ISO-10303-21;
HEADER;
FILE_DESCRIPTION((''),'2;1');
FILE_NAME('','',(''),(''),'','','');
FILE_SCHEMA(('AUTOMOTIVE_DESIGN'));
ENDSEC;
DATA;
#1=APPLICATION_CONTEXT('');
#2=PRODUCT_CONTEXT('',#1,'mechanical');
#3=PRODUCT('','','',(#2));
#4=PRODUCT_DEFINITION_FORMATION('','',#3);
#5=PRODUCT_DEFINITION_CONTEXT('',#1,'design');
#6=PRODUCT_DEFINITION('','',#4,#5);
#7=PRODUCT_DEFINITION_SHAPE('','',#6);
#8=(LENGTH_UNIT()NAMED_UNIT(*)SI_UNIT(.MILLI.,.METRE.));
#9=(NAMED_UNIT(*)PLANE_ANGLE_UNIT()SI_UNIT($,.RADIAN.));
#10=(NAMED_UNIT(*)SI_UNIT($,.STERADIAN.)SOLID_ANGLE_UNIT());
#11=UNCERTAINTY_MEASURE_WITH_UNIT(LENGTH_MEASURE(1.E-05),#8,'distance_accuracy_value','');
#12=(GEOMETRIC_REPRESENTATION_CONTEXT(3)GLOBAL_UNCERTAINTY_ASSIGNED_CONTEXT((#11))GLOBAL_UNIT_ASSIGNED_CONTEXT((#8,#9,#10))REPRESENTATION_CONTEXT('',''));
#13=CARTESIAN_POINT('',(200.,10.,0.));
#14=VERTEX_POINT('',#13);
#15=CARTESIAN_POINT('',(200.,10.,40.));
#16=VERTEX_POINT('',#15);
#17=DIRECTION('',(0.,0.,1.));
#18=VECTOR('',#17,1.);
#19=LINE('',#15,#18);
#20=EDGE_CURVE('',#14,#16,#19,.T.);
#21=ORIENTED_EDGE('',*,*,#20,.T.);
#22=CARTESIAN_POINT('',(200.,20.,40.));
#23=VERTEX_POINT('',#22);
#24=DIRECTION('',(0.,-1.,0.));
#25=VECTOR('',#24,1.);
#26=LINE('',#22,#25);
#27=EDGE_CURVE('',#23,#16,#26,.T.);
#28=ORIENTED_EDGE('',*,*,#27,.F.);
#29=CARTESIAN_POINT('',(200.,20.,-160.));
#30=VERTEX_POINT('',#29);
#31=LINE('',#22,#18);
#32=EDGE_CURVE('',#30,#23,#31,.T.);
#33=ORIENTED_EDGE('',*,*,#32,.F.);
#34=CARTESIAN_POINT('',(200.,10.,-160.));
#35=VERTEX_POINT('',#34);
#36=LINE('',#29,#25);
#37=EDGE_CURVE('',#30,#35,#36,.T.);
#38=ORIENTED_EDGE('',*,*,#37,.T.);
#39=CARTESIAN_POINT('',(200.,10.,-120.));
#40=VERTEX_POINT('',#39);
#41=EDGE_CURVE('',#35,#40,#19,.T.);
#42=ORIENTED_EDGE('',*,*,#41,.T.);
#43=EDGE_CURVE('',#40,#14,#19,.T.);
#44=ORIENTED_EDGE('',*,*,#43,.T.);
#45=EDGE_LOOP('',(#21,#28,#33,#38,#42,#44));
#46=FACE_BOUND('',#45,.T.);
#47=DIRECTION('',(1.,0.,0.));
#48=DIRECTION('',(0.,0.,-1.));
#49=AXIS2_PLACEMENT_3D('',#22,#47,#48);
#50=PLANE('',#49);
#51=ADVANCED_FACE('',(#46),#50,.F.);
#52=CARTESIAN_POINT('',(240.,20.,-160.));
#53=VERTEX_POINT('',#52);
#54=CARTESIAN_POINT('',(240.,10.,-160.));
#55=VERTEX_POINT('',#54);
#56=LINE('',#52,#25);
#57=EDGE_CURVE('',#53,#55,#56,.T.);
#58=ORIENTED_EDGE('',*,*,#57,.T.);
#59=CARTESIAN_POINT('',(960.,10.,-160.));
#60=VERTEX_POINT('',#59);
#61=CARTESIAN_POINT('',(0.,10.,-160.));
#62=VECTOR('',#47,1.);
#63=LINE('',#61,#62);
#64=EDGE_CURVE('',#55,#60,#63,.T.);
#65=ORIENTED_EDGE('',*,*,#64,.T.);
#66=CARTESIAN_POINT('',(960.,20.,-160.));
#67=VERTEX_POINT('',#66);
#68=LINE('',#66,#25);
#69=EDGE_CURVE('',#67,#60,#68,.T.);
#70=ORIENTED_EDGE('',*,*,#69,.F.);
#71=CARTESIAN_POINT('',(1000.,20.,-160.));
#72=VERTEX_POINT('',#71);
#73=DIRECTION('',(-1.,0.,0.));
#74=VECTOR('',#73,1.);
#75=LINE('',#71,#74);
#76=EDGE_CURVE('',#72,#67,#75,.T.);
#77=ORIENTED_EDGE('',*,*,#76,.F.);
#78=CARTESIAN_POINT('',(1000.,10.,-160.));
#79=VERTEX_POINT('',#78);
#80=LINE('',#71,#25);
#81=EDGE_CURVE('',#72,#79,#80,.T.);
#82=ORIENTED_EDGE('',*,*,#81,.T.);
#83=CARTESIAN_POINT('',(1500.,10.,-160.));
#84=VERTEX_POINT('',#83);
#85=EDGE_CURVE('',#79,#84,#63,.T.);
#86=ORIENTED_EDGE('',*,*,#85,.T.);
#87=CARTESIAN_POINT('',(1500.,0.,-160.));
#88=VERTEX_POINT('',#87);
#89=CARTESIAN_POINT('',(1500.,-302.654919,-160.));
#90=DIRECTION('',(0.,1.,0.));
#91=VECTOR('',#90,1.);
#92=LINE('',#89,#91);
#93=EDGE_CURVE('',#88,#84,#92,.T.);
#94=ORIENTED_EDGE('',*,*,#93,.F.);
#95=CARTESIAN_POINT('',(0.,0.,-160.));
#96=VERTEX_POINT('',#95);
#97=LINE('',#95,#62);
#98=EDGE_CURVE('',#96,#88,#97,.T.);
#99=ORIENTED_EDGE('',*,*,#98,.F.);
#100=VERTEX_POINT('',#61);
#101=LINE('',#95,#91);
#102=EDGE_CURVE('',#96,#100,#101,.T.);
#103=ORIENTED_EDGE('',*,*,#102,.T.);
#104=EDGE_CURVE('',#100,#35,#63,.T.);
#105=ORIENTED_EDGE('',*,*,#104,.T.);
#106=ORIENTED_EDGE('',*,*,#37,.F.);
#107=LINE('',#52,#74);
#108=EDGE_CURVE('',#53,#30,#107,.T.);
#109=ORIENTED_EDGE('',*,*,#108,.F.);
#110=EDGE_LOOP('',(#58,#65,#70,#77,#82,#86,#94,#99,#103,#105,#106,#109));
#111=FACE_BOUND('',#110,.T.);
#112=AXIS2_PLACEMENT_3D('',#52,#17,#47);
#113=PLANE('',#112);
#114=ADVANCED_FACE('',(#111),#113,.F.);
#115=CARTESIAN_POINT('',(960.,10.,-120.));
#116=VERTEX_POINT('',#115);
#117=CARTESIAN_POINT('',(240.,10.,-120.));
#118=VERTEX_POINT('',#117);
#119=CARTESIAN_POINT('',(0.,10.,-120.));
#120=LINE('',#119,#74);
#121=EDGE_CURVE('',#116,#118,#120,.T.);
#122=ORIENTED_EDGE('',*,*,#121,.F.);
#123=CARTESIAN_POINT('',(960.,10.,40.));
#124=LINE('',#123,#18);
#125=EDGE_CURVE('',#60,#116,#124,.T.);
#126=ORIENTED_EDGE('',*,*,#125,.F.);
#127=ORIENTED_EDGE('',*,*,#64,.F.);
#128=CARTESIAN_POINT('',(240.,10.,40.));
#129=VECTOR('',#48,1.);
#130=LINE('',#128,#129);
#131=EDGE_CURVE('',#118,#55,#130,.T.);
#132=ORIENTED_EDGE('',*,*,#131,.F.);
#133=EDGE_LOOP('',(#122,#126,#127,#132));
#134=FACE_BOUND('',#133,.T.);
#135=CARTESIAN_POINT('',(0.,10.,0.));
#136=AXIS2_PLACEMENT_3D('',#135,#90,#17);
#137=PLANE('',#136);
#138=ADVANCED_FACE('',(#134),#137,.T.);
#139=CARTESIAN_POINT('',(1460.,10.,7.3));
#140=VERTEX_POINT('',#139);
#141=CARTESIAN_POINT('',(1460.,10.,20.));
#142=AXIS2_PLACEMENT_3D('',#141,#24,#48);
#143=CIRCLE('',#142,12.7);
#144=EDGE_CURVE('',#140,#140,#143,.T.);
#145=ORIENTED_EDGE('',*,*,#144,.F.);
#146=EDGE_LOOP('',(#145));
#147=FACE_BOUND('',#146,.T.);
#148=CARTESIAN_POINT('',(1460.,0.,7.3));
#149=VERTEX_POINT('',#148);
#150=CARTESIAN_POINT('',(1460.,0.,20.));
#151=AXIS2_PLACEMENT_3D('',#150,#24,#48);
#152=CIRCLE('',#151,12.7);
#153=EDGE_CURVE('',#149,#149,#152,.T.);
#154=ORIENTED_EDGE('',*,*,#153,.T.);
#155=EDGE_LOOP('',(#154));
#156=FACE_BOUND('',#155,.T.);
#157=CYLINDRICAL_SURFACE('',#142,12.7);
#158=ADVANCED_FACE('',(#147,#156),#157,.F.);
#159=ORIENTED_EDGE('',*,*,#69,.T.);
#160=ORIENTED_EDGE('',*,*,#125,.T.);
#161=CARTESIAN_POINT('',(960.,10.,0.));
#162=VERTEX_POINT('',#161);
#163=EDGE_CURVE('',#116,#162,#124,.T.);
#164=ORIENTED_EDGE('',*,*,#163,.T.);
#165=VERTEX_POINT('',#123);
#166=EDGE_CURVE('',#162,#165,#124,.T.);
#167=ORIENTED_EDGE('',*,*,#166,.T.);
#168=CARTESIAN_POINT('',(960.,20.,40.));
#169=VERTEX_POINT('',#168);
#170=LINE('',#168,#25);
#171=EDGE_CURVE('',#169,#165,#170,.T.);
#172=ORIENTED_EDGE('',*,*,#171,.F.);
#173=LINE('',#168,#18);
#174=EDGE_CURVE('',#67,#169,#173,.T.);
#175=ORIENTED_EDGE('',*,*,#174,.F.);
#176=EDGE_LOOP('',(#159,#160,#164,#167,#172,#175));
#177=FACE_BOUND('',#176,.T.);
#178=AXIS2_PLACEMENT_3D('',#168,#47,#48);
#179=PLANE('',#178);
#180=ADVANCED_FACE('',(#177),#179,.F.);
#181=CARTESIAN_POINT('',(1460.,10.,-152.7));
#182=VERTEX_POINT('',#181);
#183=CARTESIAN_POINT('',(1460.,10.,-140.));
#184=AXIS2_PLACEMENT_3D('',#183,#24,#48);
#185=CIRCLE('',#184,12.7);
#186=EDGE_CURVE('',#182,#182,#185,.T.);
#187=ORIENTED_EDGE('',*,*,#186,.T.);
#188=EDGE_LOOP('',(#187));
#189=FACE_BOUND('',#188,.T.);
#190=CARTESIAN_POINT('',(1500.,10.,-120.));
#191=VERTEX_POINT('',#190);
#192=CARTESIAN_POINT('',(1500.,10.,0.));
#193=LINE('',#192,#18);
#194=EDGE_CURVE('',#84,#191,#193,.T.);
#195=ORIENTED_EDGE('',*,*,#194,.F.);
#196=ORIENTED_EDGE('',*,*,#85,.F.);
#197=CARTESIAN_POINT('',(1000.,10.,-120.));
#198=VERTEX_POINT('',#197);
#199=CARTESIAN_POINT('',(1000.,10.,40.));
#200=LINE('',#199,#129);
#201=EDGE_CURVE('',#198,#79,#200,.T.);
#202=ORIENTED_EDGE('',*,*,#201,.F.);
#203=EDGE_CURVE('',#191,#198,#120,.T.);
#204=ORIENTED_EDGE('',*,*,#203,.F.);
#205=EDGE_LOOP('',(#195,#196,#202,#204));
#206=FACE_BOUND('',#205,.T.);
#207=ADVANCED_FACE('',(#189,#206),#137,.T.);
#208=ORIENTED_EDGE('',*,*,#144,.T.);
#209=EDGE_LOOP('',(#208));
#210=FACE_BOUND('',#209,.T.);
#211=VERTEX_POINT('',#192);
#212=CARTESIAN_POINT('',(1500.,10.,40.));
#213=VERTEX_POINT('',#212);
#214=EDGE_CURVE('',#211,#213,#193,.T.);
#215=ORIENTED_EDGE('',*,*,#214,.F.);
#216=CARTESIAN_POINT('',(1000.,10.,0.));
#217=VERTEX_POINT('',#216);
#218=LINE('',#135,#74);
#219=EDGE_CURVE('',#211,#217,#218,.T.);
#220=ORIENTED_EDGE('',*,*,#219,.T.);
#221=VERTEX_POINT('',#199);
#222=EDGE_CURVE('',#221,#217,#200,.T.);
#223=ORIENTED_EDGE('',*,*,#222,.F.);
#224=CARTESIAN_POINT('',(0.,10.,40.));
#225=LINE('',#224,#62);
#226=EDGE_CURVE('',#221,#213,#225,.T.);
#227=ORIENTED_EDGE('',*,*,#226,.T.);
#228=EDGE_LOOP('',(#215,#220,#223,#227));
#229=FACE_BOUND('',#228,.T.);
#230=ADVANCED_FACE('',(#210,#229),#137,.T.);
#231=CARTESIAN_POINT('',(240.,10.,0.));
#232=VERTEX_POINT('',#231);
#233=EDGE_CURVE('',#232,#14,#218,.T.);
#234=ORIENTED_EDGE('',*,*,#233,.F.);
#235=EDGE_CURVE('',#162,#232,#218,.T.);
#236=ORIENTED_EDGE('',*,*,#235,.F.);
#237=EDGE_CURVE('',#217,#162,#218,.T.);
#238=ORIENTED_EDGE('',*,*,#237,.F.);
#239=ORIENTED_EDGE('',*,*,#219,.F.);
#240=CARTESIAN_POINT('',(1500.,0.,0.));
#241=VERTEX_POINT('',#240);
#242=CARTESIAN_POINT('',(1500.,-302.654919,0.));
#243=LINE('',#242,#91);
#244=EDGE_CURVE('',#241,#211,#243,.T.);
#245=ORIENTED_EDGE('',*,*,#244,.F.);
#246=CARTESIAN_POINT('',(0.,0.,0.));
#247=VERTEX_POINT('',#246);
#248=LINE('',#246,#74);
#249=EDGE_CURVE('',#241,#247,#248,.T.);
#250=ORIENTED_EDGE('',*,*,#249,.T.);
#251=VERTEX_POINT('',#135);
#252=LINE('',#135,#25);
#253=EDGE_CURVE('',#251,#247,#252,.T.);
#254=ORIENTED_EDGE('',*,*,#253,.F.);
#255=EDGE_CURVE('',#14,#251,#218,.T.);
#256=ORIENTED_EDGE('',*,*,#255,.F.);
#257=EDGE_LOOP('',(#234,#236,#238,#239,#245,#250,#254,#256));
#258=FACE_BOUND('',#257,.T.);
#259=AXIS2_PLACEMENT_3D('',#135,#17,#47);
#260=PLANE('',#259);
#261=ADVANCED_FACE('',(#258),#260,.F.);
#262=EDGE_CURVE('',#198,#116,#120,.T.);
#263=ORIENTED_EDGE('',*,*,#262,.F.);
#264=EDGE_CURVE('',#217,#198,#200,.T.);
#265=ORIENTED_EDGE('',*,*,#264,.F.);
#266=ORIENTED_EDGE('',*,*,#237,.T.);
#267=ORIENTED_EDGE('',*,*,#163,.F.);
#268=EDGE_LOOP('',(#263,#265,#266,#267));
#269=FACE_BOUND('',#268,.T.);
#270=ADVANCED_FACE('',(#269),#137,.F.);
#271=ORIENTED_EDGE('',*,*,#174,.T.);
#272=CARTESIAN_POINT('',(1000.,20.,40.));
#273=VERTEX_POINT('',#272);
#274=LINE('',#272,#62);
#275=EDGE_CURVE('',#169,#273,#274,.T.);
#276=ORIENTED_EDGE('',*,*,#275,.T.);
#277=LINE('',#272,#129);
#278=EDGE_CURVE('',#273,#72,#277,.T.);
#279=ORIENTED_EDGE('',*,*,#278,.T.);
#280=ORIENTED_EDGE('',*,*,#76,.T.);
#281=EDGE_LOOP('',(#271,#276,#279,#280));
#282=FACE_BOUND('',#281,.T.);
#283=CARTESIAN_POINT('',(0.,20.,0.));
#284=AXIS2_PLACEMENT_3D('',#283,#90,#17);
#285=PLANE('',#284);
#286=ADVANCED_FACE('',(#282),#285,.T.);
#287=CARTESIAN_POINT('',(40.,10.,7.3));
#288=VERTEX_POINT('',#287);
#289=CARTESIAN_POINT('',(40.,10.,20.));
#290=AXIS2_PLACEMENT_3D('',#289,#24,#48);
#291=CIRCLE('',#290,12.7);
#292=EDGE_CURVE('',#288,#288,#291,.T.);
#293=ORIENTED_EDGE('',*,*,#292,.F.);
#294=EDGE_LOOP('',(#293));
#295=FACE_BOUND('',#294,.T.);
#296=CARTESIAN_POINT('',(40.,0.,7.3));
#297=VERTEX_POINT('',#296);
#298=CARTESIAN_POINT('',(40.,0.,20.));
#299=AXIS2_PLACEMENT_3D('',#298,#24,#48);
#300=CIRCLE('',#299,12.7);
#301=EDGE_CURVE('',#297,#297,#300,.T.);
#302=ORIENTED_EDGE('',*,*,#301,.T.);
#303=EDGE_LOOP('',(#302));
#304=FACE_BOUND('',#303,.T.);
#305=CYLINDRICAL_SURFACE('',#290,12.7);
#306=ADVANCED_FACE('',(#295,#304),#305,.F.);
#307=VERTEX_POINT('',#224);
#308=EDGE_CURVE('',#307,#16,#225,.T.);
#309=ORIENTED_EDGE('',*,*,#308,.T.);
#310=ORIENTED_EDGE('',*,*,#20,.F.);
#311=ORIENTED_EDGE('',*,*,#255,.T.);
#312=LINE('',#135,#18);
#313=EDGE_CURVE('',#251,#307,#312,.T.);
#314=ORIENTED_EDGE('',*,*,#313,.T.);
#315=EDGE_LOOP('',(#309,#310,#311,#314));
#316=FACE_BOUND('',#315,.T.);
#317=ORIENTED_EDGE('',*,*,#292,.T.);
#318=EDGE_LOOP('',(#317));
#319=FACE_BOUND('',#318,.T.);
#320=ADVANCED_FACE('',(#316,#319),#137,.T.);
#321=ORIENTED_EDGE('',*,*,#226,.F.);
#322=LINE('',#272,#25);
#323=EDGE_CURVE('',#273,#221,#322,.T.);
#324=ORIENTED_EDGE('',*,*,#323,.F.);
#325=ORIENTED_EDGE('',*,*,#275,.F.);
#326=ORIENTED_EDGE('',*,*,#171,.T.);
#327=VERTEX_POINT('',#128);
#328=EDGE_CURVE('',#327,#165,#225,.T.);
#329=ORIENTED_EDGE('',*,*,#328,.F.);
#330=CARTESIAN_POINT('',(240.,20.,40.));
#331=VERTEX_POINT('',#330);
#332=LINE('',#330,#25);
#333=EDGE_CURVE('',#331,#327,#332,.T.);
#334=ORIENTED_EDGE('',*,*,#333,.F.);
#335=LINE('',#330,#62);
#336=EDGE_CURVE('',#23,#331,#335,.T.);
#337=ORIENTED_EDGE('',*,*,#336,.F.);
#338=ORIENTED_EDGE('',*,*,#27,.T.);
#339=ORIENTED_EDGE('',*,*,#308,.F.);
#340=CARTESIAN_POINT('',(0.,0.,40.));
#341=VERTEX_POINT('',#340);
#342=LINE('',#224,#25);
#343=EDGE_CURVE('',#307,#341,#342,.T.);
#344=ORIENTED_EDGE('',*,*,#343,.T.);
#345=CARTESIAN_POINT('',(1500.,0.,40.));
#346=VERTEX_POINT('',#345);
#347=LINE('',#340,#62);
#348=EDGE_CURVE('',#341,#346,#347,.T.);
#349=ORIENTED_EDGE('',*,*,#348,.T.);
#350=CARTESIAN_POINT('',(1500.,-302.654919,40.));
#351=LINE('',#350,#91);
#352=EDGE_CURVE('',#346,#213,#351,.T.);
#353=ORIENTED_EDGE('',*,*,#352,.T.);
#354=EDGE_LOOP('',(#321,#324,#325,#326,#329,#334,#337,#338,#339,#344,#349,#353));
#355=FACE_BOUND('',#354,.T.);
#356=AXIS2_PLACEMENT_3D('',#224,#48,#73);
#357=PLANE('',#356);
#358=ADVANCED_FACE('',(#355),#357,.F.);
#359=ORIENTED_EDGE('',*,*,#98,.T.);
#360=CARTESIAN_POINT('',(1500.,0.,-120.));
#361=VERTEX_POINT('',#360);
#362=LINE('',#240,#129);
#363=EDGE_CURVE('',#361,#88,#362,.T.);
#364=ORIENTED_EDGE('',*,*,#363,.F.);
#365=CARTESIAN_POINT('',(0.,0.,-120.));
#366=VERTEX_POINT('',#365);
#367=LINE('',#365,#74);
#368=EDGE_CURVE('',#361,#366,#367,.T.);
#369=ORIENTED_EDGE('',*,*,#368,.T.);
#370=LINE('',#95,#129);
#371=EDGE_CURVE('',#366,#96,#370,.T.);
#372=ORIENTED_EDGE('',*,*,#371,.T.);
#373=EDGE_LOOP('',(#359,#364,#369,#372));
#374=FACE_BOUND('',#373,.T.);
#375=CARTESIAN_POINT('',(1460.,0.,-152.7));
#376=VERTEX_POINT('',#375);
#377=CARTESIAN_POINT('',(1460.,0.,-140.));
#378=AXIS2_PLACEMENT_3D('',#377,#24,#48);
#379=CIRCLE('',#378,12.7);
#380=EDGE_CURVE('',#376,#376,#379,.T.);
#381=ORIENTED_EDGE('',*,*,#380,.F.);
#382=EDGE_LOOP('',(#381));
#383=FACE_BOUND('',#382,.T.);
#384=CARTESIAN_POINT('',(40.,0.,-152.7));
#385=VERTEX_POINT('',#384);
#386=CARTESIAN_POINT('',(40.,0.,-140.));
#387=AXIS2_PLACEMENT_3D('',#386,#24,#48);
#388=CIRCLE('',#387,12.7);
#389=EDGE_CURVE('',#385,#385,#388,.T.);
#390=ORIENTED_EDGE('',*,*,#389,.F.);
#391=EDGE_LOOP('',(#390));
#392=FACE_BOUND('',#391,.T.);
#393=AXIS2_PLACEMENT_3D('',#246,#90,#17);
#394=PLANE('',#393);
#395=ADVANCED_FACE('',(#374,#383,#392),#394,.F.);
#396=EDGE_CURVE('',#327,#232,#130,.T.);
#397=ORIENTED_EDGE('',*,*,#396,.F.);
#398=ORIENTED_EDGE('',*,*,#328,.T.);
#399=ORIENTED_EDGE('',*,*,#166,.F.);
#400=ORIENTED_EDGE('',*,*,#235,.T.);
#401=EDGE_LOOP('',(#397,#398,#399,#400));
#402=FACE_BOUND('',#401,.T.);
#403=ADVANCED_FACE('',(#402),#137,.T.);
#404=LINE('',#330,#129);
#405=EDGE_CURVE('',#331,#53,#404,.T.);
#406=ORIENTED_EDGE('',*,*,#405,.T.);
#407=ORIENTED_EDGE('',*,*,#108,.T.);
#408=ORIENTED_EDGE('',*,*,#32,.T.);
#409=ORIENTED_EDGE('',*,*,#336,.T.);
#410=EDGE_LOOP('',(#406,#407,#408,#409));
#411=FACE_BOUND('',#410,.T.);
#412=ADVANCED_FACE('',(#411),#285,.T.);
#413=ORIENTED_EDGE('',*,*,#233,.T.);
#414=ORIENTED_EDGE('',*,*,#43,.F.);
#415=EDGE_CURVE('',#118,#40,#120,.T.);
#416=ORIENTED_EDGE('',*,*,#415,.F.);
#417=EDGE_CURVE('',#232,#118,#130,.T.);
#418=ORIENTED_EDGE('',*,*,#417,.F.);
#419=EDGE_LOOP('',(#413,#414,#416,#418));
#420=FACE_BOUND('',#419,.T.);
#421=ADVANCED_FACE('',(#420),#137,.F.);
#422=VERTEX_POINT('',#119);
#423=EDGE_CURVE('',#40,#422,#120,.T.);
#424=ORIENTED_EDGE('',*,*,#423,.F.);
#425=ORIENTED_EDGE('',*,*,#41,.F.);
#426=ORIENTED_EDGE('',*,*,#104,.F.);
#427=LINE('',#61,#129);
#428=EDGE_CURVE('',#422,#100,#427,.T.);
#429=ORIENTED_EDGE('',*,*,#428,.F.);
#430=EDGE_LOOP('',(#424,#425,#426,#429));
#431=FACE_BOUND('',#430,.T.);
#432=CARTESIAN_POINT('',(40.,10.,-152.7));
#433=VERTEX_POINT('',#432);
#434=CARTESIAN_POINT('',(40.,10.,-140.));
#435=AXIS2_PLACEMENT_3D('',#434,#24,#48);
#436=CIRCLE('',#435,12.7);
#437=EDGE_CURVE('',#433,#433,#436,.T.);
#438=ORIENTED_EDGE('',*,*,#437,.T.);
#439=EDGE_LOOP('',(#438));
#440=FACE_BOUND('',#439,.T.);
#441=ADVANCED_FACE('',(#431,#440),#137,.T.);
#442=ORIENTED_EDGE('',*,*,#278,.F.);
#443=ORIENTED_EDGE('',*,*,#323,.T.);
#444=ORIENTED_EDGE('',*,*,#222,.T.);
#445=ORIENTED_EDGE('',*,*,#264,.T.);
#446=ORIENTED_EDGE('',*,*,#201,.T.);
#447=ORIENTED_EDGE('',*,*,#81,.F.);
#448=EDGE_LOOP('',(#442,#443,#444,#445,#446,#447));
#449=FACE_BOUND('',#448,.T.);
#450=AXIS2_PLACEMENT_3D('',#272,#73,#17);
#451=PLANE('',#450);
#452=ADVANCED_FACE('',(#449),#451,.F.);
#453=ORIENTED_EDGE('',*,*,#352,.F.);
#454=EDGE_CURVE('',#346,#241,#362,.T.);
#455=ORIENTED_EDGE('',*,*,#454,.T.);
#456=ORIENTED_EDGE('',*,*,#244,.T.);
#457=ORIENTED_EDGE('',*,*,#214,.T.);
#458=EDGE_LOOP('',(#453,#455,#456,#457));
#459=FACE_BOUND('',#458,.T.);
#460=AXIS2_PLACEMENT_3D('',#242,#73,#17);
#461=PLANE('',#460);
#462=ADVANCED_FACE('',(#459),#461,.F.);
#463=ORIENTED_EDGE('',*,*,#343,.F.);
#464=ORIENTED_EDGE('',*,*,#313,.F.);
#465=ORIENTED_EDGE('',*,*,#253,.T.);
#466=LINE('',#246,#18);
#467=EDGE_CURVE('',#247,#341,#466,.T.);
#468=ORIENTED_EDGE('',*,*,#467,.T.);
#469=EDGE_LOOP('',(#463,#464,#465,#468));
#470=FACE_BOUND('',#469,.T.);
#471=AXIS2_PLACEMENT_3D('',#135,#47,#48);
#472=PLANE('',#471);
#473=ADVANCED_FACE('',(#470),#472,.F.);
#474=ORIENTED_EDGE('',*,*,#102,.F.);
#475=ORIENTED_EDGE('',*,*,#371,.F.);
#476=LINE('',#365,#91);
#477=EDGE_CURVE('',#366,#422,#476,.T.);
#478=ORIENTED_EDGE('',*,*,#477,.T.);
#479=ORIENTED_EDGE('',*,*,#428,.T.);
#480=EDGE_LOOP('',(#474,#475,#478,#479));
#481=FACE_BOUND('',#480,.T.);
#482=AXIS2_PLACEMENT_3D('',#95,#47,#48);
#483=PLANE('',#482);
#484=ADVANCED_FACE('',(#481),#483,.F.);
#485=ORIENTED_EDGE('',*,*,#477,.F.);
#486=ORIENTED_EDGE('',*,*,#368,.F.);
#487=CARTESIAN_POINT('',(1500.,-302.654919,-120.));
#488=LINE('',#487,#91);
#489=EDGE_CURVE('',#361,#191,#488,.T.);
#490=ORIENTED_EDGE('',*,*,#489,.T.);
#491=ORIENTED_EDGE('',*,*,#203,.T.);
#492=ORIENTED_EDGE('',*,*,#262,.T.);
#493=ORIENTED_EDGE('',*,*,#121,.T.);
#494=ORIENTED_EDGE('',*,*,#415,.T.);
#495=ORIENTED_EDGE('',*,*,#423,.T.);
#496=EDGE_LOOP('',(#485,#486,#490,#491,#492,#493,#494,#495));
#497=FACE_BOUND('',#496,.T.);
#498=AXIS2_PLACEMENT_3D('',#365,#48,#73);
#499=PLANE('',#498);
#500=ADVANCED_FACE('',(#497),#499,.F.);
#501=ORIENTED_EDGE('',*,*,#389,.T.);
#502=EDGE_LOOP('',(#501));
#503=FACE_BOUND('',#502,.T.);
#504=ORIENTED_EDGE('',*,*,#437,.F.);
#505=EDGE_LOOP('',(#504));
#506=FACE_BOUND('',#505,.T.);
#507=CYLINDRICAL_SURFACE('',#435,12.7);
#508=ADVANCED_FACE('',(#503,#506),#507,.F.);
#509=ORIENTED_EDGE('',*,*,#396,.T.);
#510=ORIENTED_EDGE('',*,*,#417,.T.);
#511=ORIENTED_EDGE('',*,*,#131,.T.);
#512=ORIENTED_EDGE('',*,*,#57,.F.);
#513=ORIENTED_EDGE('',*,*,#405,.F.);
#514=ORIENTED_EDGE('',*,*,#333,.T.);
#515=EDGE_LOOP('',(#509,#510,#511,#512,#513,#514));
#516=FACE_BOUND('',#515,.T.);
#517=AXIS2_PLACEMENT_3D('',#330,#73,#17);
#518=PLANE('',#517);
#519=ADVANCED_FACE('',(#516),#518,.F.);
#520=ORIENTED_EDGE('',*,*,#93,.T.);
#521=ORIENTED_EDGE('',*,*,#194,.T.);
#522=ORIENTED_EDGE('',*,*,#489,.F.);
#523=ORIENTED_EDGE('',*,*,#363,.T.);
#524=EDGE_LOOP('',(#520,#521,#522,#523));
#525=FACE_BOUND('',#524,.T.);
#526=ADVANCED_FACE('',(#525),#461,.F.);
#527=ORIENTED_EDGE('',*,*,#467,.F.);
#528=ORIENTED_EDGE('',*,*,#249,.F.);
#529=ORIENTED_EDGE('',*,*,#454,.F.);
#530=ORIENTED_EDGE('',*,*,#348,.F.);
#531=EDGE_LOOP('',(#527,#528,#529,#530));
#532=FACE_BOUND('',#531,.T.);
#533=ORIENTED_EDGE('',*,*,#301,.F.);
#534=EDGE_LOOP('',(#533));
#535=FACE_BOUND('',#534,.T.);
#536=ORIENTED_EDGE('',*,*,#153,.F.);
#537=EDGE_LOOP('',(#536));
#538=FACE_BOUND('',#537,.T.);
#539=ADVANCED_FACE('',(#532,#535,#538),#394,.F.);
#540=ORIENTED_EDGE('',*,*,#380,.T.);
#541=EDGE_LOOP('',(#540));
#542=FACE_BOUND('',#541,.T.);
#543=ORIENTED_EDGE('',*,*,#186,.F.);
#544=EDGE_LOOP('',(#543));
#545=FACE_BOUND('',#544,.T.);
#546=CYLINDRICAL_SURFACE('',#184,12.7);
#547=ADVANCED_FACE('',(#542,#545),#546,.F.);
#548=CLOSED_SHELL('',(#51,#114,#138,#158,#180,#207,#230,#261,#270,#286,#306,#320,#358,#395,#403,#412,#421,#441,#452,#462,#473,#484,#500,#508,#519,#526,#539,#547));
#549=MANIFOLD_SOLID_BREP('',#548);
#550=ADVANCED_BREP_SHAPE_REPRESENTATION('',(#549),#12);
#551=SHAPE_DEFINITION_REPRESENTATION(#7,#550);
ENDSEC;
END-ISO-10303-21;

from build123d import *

# Parameters (mm, degrees)
SKETCH1_W           = 1200
SKETCH1_H           = 40
BOSS_EXTRUDE1_DEPTH = 10
SKETCH2_W           = 40
SKETCH2_H           = 200
BOSS_EXTRUDE2_DEPTH = 10
SKETCH3_W           = 1200
SKETCH3_H           = 40
BOSS_EXTRUDE3_DEPTH = 10
SKETCH5_W           = 300
SKETCH5_H           = 40
BOSS_EXTRUDE4_DEPTH = 10
SKETCH4_R           = 12.7
CUT_EXTRUDE1_DEPTH  = 10


with BuildPart() as part:
    # Sketch1 → Boss-Extrude1 (new body)
    with BuildSketch(Plane(origin=(0, 0, 0), x_dir=(1, 0, 0), z_dir=(0, 1, 0))):
        with Locations((600, -20)):
            Rectangle(SKETCH1_W, SKETCH1_H)
    extrude(amount=BOSS_EXTRUDE1_DEPTH)

    # Sketch2 → Boss-Extrude2 (add)
    with BuildSketch(Plane(origin=(0, 10, 0), x_dir=(1, 0, 0), z_dir=(0, 1, 0))):
        with Locations((220, 60)):
            Rectangle(SKETCH2_W, SKETCH2_H)
        with Locations((980, 60)):
            Rectangle(SKETCH2_W, SKETCH2_H)
    extrude(amount=BOSS_EXTRUDE2_DEPTH)

    # Sketch3 → Boss-Extrude3 (add)
    with BuildSketch(Plane.XZ.offset(-10)):
        with Locations((600, -140)):
            Rectangle(SKETCH3_W, SKETCH3_H)
    extrude(amount=BOSS_EXTRUDE3_DEPTH)

    # Sketch5 → Boss-Extrude4 (add)
    with BuildSketch(Plane(origin=(0, 10, 0), x_dir=(1, 0, 0), z_dir=(0, 1, 0))):
        with Locations((1350, 140)):
            Rectangle(SKETCH5_W, SKETCH5_H)
        with Locations((1350, -20)):
            Rectangle(SKETCH5_W, SKETCH5_H)
    extrude(amount=-BOSS_EXTRUDE4_DEPTH)

    # Sketch4 → Cut-Extrude1 (cut)
    with BuildSketch(Plane.XZ):
        with Locations(Location((1460, 20, 0), (0, 0, 270))):
            Circle(SKETCH4_R)
        with Locations(Location((40, 20, 0), (0, 0, 270))):
            Circle(SKETCH4_R)
        with Locations(Location((40, -140, 0), (0, 0, 270))):
            Circle(SKETCH4_R)
        with Locations(Location((1460, -140, 0), (0, 0, 270))):
            Circle(SKETCH4_R)
    extrude(amount=-CUT_EXTRUDE1_DEPTH, mode=Mode.SUBTRACT)


solid = part.part
